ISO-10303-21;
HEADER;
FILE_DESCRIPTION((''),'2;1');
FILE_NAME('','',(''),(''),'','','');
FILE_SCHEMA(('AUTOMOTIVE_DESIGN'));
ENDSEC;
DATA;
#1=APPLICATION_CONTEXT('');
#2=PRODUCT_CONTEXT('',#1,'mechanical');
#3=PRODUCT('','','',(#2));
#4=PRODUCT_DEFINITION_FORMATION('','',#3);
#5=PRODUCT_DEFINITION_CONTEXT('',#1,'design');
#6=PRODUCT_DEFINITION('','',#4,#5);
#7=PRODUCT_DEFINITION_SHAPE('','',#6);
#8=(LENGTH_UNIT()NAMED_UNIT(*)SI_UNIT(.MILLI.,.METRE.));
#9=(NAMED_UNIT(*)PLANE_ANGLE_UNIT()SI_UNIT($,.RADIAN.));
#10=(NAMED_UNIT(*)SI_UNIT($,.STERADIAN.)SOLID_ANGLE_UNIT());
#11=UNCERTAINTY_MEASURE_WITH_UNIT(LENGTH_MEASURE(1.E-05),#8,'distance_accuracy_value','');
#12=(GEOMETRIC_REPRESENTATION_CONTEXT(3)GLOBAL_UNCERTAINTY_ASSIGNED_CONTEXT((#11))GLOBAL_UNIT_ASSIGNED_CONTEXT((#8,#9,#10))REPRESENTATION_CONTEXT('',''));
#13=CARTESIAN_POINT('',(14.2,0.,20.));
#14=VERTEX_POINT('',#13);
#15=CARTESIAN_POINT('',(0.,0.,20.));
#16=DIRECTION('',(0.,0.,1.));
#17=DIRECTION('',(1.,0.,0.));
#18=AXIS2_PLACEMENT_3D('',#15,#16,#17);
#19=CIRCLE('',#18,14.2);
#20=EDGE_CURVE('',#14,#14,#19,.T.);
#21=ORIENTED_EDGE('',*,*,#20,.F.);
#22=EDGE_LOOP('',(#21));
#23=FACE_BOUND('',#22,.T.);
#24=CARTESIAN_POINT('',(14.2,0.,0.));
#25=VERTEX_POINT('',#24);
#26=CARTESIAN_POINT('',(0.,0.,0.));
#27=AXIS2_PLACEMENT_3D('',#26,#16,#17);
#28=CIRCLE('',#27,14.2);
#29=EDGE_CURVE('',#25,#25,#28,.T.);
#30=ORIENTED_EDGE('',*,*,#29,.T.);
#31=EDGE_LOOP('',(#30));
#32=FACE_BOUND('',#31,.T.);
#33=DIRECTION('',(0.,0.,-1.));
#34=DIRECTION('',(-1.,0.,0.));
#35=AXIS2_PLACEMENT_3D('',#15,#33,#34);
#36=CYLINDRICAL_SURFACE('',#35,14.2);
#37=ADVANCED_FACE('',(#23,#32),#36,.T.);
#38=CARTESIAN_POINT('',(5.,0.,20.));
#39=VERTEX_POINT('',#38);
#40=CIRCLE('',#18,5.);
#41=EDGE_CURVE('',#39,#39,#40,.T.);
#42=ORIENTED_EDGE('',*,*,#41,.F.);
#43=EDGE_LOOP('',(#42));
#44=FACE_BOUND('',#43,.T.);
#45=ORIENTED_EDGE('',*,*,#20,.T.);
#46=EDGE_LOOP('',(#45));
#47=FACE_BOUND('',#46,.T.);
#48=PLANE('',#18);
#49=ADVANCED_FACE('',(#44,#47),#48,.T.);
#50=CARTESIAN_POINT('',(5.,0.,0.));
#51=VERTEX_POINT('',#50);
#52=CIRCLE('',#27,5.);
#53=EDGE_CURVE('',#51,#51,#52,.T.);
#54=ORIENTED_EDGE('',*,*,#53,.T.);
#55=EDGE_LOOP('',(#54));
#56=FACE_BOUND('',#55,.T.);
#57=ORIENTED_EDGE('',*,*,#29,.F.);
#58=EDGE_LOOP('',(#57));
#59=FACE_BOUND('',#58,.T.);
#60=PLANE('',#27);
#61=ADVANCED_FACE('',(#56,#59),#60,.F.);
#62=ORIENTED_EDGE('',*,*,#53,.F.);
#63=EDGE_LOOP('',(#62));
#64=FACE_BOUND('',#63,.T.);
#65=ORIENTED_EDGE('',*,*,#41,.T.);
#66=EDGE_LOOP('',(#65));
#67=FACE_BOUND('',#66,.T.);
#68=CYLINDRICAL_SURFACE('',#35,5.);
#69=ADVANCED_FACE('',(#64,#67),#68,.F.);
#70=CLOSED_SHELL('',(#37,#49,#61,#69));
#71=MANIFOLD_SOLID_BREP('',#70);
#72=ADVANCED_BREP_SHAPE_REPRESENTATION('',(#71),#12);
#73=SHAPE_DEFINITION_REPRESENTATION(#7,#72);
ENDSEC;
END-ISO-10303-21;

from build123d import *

# Parameters (mm, degrees)
SKETCH1_R                                      = 14.2
SKETCH1_R_2                                    = 5
CONNECTION_SPACE_ONLY_NO_THREADS_OR_SEAL_DEPTH = 20


with BuildPart() as part:
    # Sketch1 → Connection_space_only_NO_THREADS_OR_SEALS (new body)
    with BuildSketch(Plane.XY):
        Circle(SKETCH1_R)
        Circle(SKETCH1_R_2, mode=Mode.SUBTRACT)
    extrude(amount=CONNECTION_SPACE_ONLY_NO_THREADS_OR_SEAL_DEPTH)


solid = part.part
